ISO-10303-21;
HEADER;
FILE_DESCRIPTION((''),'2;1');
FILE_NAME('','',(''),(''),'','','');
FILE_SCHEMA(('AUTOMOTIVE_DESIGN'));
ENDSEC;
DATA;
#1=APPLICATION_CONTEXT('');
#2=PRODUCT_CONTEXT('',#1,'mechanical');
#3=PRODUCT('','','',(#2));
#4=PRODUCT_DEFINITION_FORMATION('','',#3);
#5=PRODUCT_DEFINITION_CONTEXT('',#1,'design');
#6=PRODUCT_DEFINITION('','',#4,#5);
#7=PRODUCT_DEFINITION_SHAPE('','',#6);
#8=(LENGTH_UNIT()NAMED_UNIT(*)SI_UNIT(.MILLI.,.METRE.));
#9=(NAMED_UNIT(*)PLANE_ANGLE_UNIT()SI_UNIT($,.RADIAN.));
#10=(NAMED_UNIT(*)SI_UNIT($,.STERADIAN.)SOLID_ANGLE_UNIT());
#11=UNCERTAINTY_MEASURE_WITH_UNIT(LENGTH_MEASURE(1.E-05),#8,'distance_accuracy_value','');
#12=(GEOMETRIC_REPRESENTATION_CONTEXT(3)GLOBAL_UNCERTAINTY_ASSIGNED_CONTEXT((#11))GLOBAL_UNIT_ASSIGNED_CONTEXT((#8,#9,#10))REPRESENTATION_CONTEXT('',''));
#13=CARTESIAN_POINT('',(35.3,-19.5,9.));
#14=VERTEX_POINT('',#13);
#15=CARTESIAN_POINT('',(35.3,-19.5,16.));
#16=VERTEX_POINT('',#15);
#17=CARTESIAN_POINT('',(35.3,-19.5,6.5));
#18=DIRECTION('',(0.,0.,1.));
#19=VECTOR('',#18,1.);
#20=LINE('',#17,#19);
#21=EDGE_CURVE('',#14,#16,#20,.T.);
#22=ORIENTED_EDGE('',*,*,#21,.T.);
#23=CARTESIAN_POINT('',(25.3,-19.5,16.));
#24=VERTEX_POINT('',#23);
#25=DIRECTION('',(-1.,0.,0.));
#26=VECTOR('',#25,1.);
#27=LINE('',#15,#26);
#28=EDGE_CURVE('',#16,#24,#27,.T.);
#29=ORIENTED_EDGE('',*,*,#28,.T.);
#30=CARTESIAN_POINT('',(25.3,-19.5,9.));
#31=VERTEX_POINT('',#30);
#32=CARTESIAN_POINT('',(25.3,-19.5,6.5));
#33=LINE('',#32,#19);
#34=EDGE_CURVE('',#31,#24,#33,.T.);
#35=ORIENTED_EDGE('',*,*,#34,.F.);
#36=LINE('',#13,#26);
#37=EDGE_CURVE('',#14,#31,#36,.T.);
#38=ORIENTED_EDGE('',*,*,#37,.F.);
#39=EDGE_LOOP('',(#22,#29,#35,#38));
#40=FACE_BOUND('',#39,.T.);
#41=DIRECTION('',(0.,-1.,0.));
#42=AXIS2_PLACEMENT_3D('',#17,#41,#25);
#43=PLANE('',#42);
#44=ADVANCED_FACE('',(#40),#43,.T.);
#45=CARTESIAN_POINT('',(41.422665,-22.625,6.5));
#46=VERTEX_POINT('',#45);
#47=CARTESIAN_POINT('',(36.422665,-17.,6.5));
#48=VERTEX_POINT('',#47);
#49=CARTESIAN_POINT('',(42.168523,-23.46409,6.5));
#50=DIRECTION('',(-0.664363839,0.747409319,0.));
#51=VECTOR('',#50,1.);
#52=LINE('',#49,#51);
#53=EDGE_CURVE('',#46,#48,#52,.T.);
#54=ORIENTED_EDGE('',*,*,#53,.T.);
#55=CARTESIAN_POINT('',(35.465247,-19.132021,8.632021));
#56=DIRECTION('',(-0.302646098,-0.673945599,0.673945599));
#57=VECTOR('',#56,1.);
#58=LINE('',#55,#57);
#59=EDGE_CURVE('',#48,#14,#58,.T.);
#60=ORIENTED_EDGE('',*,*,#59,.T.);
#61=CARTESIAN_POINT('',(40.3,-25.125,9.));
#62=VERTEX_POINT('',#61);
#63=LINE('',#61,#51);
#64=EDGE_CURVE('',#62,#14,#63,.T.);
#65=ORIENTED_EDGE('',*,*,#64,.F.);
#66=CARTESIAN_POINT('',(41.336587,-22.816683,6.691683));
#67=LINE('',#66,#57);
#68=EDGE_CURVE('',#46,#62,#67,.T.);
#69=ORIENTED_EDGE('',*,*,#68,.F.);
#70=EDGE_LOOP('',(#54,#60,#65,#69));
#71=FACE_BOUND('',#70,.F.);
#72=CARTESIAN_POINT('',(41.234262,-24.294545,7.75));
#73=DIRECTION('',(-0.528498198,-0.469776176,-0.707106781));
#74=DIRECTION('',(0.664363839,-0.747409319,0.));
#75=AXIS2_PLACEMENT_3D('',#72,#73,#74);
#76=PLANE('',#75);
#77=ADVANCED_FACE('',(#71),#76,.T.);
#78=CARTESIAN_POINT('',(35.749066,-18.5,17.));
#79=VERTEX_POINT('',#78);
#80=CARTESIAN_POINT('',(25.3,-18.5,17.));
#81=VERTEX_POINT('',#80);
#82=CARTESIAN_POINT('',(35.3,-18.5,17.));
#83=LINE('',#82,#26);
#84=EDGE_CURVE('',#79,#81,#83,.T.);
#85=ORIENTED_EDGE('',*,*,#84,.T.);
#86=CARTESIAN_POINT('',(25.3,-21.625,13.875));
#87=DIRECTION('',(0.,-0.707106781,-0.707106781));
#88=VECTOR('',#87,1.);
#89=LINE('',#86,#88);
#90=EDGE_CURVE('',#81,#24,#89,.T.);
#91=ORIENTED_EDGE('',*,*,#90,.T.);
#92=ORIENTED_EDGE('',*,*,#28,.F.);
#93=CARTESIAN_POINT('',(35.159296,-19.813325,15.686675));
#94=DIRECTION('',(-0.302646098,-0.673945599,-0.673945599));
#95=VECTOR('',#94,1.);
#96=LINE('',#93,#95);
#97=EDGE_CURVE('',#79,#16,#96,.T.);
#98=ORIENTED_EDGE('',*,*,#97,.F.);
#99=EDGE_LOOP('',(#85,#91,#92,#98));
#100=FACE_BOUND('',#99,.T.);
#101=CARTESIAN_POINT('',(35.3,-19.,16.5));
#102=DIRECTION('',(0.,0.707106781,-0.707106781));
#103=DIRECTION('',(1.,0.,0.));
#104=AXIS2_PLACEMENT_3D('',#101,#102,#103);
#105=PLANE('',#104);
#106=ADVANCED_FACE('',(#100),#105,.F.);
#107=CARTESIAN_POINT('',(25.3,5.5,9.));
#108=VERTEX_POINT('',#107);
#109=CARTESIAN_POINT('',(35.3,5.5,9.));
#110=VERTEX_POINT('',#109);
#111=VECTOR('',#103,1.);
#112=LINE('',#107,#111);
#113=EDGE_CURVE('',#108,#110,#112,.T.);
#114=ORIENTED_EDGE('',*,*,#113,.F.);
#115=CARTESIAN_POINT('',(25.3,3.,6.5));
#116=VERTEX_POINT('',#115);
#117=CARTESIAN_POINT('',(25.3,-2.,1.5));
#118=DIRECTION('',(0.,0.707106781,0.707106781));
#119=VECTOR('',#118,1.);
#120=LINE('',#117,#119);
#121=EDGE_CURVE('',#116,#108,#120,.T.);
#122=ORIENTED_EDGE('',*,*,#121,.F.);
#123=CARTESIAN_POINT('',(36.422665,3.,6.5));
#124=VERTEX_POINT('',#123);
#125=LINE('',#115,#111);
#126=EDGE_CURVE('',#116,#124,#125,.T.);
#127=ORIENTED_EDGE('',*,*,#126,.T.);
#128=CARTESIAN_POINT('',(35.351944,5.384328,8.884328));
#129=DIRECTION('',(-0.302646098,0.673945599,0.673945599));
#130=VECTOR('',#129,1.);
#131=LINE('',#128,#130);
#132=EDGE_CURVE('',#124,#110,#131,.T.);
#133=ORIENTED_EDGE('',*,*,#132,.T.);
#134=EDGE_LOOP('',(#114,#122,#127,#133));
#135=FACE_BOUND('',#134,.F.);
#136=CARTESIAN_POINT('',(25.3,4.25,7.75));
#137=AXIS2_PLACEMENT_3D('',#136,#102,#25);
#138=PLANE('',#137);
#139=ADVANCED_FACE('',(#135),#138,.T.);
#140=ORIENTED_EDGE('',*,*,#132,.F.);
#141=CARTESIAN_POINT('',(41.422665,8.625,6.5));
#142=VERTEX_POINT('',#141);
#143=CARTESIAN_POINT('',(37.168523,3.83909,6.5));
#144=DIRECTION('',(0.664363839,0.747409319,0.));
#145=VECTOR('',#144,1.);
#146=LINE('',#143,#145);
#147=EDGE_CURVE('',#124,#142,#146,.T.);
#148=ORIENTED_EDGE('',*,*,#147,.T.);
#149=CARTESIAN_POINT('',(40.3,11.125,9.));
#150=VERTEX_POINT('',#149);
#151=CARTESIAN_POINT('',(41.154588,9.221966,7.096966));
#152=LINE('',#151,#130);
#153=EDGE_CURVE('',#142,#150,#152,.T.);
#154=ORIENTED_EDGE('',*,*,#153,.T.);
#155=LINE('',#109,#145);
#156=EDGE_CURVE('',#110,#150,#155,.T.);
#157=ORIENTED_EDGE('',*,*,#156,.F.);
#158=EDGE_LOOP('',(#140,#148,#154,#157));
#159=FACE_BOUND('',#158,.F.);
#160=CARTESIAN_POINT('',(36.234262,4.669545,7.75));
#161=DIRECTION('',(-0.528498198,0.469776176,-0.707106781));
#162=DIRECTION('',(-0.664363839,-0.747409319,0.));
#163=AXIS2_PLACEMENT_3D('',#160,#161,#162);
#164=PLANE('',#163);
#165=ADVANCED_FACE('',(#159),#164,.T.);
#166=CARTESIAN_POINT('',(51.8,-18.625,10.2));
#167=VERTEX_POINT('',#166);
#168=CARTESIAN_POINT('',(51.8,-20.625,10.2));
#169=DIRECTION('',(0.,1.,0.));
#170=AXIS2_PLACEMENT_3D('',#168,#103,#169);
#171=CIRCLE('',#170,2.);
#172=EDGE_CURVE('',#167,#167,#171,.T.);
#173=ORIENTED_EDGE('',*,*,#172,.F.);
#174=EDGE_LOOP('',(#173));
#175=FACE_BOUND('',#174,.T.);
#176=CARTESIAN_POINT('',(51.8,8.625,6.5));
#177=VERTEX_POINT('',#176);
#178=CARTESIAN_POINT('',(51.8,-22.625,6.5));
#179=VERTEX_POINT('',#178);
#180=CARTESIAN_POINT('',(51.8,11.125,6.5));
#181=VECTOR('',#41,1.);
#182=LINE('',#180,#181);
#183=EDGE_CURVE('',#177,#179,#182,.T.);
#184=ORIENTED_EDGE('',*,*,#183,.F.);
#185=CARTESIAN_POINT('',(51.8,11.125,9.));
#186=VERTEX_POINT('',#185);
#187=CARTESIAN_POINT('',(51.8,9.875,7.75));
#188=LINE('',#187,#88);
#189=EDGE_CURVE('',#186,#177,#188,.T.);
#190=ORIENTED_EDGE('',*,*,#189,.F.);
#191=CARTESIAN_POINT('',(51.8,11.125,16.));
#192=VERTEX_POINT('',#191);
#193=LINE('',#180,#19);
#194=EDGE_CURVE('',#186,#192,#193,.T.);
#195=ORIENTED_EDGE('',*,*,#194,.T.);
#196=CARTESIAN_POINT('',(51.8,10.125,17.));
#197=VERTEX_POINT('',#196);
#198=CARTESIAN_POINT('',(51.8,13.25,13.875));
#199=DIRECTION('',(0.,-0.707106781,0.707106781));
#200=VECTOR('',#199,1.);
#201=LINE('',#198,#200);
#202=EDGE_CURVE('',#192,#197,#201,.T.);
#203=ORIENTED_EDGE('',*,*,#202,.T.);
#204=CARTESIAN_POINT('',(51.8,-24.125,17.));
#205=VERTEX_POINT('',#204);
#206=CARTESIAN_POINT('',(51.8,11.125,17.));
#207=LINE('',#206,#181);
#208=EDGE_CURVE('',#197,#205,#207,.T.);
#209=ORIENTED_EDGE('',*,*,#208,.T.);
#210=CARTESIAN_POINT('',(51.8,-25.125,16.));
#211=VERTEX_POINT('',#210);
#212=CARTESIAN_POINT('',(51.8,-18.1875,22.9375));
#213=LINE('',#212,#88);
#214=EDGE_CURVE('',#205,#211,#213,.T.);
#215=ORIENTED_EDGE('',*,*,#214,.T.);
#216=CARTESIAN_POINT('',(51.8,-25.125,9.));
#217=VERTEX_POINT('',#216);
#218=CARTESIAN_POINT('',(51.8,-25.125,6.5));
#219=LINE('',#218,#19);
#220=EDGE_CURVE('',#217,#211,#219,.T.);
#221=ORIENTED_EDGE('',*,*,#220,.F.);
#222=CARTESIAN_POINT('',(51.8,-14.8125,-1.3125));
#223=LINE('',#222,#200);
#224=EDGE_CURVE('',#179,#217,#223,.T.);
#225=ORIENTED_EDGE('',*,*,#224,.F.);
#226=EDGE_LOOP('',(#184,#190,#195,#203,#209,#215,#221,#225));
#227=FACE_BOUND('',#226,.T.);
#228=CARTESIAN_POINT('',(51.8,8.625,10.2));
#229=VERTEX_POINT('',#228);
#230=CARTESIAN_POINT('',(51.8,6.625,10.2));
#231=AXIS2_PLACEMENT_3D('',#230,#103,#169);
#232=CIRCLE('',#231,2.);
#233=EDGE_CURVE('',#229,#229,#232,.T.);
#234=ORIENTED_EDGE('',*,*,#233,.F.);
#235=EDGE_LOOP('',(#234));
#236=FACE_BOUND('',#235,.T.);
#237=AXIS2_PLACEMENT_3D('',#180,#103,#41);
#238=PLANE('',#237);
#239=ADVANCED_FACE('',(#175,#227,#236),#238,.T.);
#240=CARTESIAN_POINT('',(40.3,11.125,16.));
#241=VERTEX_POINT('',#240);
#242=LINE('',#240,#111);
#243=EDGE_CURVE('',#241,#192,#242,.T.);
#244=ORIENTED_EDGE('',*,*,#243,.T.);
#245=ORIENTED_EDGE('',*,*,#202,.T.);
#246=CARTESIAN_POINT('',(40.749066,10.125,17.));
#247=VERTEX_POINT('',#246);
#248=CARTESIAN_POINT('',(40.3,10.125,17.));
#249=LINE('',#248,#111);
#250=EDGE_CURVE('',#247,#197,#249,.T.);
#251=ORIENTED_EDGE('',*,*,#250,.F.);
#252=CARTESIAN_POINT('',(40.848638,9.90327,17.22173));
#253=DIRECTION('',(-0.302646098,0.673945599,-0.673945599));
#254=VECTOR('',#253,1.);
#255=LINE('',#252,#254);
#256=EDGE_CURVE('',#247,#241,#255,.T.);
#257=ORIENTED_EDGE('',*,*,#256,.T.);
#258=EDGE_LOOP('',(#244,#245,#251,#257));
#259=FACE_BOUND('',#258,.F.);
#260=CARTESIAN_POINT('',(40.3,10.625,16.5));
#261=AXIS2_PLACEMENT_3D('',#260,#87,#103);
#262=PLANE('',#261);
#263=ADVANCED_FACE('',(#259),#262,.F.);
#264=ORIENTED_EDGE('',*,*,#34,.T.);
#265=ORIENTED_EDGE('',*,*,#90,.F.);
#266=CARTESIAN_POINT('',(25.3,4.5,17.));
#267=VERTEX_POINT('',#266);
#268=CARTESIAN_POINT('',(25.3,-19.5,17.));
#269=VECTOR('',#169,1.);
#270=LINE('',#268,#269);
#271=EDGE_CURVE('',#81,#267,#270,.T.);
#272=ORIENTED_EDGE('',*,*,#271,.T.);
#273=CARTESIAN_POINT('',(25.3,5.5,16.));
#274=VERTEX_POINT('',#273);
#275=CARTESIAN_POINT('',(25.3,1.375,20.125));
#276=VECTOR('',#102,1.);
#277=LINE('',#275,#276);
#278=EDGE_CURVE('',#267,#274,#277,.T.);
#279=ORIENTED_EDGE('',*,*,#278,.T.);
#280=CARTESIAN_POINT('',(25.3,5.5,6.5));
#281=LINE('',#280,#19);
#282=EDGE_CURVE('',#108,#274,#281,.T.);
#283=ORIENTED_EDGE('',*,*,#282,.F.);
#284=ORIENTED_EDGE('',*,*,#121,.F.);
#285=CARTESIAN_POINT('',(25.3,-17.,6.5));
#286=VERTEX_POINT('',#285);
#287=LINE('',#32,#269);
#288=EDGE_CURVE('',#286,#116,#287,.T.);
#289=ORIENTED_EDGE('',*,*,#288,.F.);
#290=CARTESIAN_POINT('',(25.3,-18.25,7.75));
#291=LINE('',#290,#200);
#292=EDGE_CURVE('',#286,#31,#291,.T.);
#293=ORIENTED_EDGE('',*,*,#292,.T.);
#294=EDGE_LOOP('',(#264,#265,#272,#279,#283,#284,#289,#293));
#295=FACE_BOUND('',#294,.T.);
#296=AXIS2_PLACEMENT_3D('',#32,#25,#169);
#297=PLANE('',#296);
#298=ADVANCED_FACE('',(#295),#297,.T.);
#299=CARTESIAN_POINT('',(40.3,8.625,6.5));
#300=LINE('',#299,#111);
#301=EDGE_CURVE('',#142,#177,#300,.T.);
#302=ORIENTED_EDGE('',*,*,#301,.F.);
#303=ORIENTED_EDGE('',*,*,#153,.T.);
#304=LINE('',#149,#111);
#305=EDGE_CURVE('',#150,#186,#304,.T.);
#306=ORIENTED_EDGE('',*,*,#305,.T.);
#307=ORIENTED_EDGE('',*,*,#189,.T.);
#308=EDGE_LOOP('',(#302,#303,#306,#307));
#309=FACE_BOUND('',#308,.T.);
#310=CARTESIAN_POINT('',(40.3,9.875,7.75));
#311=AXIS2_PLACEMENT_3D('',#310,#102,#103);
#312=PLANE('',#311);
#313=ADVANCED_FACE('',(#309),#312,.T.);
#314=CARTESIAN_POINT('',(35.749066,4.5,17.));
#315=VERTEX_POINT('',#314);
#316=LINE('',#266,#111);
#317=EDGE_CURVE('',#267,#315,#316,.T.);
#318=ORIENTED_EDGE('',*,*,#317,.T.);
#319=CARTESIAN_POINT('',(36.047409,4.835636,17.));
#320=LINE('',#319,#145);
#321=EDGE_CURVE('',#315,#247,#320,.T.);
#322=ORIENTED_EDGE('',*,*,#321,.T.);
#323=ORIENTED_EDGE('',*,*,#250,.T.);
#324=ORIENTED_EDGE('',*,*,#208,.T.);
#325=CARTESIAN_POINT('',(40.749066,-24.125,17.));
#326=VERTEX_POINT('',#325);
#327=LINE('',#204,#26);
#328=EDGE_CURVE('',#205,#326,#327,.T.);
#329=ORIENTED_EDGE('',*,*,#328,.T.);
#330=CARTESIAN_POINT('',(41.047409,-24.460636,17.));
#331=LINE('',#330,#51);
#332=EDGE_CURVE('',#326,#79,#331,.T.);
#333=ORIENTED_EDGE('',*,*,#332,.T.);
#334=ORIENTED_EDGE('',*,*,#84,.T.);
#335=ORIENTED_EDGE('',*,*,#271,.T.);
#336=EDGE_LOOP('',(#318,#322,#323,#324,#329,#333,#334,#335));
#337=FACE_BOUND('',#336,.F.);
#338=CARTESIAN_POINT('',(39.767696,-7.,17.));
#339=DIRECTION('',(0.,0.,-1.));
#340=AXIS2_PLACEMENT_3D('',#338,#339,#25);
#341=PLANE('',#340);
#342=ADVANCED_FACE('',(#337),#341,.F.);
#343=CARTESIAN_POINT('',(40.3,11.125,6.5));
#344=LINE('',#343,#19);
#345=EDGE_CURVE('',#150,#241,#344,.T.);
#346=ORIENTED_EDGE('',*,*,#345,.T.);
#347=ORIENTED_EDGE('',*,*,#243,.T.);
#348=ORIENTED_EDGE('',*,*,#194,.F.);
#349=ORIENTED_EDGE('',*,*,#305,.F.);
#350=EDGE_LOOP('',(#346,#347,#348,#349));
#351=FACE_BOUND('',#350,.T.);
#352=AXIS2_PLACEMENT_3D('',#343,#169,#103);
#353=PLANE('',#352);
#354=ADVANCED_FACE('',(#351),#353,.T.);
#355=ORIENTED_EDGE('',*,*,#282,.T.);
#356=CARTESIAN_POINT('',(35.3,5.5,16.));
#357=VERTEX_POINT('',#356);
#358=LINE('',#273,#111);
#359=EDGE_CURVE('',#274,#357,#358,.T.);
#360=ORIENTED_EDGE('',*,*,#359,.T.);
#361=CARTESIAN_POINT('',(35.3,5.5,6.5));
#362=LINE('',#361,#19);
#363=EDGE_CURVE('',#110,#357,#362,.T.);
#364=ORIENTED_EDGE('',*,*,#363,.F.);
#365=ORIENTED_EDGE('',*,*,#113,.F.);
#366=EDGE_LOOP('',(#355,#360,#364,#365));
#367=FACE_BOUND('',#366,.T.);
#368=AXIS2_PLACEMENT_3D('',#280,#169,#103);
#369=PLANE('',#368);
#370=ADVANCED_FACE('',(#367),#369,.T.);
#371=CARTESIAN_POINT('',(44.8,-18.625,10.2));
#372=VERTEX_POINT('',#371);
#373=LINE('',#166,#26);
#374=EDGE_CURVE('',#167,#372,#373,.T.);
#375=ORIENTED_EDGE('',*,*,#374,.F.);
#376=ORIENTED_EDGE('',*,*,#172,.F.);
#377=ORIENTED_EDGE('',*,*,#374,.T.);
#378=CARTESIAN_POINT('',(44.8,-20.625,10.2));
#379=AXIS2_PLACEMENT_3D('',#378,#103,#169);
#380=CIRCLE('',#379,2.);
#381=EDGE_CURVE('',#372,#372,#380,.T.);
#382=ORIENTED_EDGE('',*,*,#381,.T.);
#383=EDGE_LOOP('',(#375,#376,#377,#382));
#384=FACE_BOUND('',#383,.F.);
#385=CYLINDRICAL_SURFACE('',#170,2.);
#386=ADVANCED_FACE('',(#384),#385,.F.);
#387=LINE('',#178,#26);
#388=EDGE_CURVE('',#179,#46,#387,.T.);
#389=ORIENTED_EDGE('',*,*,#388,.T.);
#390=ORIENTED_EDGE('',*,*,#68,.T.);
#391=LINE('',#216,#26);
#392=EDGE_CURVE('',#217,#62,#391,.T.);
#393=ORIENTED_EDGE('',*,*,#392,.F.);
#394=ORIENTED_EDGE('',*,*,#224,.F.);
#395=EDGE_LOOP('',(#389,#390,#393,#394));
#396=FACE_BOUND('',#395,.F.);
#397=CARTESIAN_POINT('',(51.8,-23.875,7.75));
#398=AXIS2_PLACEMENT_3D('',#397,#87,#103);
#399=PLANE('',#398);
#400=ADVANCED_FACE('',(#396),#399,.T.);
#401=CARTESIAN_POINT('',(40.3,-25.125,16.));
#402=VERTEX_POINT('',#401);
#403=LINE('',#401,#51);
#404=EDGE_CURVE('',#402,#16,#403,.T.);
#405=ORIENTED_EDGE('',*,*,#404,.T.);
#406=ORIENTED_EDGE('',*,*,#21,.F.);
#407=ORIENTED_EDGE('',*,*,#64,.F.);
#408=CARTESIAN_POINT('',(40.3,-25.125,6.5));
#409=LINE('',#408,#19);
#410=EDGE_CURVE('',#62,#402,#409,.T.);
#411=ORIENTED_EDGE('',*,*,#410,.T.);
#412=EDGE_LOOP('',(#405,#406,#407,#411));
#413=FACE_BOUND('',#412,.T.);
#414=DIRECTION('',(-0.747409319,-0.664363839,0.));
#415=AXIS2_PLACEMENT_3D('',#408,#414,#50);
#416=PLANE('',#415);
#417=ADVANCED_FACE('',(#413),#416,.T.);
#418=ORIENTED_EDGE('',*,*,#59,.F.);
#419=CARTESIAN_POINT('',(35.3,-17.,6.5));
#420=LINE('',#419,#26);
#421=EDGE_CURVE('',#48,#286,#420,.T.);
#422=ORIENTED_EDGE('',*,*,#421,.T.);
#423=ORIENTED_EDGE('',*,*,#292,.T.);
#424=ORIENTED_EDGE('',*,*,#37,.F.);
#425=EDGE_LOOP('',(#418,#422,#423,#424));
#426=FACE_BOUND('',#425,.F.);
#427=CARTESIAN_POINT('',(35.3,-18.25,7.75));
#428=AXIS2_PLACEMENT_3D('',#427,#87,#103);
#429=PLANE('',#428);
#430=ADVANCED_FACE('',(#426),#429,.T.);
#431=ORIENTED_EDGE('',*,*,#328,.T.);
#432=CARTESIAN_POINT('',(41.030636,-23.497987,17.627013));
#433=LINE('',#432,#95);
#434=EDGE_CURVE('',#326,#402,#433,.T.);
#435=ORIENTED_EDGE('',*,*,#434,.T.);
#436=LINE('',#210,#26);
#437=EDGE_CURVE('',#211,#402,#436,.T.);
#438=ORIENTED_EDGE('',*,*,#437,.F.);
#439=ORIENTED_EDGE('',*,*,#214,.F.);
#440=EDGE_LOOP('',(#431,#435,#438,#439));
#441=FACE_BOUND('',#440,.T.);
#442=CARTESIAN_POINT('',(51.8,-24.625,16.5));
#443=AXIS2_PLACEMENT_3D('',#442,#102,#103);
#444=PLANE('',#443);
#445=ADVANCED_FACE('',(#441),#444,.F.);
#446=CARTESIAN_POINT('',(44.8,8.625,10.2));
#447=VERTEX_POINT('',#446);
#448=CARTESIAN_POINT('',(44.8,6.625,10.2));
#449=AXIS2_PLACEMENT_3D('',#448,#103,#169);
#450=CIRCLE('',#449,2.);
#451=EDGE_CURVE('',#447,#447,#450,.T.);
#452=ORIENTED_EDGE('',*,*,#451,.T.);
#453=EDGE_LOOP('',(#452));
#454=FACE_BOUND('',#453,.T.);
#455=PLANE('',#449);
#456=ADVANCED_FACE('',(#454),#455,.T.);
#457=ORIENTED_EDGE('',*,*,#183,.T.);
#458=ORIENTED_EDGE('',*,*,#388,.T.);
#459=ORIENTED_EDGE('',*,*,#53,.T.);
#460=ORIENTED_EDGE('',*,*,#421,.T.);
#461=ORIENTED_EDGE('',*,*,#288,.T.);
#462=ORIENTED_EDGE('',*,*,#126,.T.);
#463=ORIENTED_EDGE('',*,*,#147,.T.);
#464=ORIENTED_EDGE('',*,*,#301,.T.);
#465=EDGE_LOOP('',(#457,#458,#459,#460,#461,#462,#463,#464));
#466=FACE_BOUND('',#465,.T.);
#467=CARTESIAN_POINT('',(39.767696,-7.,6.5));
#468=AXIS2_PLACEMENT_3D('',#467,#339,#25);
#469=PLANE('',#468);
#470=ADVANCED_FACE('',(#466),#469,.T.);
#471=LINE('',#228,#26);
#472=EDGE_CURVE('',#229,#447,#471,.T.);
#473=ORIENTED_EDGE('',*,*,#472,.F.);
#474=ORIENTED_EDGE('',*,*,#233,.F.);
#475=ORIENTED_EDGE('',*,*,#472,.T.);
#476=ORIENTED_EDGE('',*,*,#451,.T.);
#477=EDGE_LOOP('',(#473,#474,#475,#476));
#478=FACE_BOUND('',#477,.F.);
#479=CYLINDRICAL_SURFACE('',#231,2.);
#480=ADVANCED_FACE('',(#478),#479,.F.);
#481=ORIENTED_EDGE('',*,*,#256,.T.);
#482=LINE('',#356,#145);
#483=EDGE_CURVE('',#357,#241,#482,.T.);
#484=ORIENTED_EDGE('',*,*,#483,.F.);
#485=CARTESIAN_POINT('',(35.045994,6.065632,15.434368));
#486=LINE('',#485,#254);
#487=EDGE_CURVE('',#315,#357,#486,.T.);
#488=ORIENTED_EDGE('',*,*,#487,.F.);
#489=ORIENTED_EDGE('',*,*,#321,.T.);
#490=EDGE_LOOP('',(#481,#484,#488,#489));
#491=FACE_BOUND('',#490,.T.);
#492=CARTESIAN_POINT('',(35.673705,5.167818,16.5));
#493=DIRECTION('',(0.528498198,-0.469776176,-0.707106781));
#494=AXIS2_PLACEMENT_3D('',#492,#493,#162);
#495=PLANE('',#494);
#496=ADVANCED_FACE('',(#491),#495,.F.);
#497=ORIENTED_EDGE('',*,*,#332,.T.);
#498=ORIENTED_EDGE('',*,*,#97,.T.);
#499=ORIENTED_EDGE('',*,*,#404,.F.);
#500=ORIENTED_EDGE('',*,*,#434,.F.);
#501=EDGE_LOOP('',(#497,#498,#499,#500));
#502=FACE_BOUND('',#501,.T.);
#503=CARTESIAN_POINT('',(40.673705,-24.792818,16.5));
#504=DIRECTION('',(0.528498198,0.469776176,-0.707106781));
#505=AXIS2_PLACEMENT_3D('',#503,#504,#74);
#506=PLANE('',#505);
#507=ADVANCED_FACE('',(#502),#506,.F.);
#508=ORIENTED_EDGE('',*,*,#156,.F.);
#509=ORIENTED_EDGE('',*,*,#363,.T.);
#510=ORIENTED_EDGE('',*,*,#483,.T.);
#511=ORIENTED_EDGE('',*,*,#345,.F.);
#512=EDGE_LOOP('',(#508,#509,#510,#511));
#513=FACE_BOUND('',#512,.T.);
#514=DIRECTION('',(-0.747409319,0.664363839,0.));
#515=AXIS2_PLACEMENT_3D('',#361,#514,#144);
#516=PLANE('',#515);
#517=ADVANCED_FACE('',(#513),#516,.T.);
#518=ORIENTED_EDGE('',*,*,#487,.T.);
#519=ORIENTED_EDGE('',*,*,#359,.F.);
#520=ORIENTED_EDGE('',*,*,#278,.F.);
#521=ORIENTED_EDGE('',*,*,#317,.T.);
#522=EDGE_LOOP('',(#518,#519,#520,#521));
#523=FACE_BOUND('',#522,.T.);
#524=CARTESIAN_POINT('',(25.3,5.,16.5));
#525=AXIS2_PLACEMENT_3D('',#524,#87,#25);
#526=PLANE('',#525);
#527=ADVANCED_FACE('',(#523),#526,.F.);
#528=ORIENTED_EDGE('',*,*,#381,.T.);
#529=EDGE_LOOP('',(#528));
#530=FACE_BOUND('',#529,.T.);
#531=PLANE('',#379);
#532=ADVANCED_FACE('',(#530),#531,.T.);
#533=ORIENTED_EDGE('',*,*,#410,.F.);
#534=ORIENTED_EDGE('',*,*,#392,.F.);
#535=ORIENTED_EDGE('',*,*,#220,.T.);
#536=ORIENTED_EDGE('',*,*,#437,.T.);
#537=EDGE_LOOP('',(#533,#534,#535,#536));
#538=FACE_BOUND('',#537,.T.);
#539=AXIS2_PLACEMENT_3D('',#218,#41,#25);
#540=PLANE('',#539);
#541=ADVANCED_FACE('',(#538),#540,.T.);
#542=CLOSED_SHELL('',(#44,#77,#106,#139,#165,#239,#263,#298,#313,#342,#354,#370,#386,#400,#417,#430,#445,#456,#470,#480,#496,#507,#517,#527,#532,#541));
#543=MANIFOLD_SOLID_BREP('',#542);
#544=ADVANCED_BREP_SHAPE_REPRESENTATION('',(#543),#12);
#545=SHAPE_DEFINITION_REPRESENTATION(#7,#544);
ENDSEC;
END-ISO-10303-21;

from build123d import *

# Parameters (mm, degrees)
PAD013_DEPTH    = 10.5
SKETCH042_R     = 2
POCKET028_DEPTH = 7
CHAMFER019_SIZE = 1
CHAMFER020_SIZE = 2.5


with BuildPart() as part:
    # Sketch041 → Pad013 (new body)
    with BuildSketch(Plane.XY):
        Polygon((26.5, 18.125), (26.5, -18.125), (15, -18.125), (10, -12.5), (0, -12.5), (0, 12.5), (10, 12.5), (15, 18.125), align=None)
    extrude(amount=PAD013_DEPTH)

    # Sketch042 (on Face3 of Pad013) → Pocket028 (cut)
    with BuildSketch(Plane.YZ.offset(26.5)):
        with Locations((-13.625, 3.7)):
            Circle(SKETCH042_R)
        with Locations((13.625, 3.7)):
            Circle(SKETCH042_R)
    extrude(amount=-POCKET028_DEPTH, mode=Mode.SUBTRACT)

    # Chamfer019
    chamfer019_edges = [part.edges().sort_by_distance(p)[0] for p in [
        (20.75, -18.125, 10.5),
        (12.5, -15.3125, 10.5),
        (5, -12.5, 10.5),
        (5, 12.5, 10.5),
        (12.5, 15.3125, 10.5),
        (20.75, 18.125, 10.5),
    ]]
    chamfer(chamfer019_edges, length=CHAMFER019_SIZE)

    # Chamfer020
    chamfer020_edges = [part.edges().sort_by_distance(p)[0] for p in [
        (5, -12.5, 0),
        (12.5, -15.3125, 0),
        (20.75, -18.125, 0),
        (5, 12.5, 0),
        (12.5, 15.3125, 0),
        (20.75, 18.125, 0),
    ]]
    chamfer(chamfer020_edges, length=CHAMFER020_SIZE)


with BuildPart() as part_1:
    # Body004007 placement: moved
    add(part.part.moved(Location((25.3, -7, 6.5))))


solid = part_1.part
